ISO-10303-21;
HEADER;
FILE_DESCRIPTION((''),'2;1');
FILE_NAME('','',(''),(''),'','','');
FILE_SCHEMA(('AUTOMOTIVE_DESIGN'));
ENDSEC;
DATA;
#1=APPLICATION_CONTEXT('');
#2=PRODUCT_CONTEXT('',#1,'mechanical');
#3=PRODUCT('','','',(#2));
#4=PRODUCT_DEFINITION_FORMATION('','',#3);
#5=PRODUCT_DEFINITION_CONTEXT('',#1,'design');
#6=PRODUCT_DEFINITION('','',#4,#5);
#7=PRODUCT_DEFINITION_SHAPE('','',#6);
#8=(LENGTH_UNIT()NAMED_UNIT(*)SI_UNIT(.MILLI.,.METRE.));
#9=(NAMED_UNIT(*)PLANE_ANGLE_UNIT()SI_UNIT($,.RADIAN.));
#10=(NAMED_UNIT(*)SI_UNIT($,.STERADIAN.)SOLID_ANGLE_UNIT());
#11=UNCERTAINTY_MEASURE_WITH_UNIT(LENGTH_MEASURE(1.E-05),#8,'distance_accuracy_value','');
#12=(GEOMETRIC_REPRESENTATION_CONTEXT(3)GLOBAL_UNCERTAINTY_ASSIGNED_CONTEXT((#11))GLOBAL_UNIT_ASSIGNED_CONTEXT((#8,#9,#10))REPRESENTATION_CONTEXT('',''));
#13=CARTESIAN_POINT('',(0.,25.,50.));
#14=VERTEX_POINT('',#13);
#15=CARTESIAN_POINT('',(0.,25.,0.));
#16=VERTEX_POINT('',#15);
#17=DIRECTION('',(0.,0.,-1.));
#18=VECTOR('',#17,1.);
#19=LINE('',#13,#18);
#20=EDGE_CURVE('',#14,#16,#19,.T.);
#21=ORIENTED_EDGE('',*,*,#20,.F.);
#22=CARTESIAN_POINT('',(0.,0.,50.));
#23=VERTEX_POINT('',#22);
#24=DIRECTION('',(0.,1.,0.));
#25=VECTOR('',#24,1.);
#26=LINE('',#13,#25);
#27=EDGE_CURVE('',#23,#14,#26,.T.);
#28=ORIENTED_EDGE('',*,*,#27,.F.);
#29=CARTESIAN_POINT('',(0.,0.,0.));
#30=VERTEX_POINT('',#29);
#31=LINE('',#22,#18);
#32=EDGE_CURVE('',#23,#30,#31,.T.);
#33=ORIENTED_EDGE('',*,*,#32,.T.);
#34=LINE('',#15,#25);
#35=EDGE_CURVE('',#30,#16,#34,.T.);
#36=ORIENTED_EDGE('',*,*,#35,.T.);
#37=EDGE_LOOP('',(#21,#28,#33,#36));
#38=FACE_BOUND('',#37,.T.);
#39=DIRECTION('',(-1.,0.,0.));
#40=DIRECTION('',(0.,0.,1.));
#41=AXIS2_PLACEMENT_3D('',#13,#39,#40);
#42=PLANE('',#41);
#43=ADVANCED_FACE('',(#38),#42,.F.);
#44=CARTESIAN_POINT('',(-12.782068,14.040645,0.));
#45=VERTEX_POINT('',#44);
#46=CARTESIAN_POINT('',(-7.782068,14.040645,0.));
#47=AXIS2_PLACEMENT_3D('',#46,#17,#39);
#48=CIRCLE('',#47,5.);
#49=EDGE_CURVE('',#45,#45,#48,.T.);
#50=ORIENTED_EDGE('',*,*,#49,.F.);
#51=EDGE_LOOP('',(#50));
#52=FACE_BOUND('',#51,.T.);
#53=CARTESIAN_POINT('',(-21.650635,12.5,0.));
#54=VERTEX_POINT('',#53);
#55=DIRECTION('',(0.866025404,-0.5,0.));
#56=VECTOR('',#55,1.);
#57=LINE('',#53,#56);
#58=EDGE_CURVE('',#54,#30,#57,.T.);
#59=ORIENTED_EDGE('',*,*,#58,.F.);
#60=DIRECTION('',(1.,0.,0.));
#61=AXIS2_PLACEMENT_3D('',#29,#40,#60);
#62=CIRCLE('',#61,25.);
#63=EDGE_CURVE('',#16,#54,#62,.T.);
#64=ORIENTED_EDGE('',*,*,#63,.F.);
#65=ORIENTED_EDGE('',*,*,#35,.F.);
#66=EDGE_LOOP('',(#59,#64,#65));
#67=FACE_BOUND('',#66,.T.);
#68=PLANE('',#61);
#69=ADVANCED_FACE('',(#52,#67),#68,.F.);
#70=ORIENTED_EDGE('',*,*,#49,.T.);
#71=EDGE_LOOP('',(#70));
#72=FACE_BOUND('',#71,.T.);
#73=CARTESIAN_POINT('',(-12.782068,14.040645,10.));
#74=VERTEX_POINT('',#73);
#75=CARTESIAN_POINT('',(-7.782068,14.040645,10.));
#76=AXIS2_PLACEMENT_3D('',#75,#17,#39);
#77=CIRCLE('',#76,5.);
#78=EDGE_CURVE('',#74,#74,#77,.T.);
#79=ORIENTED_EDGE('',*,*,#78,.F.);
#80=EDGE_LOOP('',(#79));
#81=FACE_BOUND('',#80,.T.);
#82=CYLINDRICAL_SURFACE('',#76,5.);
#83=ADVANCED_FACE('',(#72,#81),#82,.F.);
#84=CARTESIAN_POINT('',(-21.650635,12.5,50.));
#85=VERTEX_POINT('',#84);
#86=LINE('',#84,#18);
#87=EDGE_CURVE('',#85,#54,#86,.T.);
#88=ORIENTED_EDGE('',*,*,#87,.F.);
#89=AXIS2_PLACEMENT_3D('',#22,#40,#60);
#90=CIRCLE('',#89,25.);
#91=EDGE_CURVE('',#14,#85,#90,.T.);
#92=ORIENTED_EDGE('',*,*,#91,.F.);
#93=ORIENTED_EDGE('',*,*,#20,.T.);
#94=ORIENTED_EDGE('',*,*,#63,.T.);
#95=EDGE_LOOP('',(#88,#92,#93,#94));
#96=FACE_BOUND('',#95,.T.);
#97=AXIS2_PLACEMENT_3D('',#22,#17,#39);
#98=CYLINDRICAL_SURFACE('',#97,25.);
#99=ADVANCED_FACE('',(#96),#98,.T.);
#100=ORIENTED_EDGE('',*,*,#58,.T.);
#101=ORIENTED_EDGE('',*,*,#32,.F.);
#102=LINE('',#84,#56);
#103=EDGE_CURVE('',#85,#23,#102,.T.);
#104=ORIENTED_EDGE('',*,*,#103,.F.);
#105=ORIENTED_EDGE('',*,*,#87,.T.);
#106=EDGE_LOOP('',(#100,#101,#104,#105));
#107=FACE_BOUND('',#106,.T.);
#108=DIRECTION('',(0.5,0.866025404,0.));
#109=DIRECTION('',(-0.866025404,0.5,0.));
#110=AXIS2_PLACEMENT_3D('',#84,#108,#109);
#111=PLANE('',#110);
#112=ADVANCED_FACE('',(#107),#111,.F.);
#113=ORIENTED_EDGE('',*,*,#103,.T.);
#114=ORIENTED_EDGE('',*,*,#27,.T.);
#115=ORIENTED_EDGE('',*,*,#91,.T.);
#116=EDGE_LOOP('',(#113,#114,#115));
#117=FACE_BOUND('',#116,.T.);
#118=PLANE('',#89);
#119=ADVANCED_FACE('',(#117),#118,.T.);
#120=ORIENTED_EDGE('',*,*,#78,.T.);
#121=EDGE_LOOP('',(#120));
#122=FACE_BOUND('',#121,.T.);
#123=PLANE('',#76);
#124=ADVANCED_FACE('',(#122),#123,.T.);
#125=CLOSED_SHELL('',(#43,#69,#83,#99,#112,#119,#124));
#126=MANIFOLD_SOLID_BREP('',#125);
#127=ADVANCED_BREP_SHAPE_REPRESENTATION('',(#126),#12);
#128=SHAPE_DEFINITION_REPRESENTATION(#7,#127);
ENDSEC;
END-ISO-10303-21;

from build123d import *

# Parameters (mm, degrees)
SALIENTE_EXTRUIR1_DEPTH = 50
CROQUIS2_R              = 5
CORTAR_EXTRUIR1_DEPTH   = 10


with BuildPart() as part:
    # Croquis1 → Saliente-Extruir1 (new body)
    with BuildSketch(Plane.XY):
        with BuildLine():
            Line((0, 25), (0, 0))
            Line((0, 0), (-21.650635095, 12.5))
            ThreePointArc((-21.650635095, 12.5), (-12.5, 21.650635095), (0, 25))
        make_face()
    extrude(amount=SALIENTE_EXTRUIR1_DEPTH)

    # Croquis2 → Cortar-Extruir1 (cut)
    with BuildSketch(Plane(origin=(0, 0, 0), x_dir=(-1, 0, 0), z_dir=(0, 0, -1))):
        with Locations((7.782067737, 14.040645217)):
            Circle(CROQUIS2_R)
    extrude(amount=-CORTAR_EXTRUIR1_DEPTH, mode=Mode.SUBTRACT)


solid = part.part
